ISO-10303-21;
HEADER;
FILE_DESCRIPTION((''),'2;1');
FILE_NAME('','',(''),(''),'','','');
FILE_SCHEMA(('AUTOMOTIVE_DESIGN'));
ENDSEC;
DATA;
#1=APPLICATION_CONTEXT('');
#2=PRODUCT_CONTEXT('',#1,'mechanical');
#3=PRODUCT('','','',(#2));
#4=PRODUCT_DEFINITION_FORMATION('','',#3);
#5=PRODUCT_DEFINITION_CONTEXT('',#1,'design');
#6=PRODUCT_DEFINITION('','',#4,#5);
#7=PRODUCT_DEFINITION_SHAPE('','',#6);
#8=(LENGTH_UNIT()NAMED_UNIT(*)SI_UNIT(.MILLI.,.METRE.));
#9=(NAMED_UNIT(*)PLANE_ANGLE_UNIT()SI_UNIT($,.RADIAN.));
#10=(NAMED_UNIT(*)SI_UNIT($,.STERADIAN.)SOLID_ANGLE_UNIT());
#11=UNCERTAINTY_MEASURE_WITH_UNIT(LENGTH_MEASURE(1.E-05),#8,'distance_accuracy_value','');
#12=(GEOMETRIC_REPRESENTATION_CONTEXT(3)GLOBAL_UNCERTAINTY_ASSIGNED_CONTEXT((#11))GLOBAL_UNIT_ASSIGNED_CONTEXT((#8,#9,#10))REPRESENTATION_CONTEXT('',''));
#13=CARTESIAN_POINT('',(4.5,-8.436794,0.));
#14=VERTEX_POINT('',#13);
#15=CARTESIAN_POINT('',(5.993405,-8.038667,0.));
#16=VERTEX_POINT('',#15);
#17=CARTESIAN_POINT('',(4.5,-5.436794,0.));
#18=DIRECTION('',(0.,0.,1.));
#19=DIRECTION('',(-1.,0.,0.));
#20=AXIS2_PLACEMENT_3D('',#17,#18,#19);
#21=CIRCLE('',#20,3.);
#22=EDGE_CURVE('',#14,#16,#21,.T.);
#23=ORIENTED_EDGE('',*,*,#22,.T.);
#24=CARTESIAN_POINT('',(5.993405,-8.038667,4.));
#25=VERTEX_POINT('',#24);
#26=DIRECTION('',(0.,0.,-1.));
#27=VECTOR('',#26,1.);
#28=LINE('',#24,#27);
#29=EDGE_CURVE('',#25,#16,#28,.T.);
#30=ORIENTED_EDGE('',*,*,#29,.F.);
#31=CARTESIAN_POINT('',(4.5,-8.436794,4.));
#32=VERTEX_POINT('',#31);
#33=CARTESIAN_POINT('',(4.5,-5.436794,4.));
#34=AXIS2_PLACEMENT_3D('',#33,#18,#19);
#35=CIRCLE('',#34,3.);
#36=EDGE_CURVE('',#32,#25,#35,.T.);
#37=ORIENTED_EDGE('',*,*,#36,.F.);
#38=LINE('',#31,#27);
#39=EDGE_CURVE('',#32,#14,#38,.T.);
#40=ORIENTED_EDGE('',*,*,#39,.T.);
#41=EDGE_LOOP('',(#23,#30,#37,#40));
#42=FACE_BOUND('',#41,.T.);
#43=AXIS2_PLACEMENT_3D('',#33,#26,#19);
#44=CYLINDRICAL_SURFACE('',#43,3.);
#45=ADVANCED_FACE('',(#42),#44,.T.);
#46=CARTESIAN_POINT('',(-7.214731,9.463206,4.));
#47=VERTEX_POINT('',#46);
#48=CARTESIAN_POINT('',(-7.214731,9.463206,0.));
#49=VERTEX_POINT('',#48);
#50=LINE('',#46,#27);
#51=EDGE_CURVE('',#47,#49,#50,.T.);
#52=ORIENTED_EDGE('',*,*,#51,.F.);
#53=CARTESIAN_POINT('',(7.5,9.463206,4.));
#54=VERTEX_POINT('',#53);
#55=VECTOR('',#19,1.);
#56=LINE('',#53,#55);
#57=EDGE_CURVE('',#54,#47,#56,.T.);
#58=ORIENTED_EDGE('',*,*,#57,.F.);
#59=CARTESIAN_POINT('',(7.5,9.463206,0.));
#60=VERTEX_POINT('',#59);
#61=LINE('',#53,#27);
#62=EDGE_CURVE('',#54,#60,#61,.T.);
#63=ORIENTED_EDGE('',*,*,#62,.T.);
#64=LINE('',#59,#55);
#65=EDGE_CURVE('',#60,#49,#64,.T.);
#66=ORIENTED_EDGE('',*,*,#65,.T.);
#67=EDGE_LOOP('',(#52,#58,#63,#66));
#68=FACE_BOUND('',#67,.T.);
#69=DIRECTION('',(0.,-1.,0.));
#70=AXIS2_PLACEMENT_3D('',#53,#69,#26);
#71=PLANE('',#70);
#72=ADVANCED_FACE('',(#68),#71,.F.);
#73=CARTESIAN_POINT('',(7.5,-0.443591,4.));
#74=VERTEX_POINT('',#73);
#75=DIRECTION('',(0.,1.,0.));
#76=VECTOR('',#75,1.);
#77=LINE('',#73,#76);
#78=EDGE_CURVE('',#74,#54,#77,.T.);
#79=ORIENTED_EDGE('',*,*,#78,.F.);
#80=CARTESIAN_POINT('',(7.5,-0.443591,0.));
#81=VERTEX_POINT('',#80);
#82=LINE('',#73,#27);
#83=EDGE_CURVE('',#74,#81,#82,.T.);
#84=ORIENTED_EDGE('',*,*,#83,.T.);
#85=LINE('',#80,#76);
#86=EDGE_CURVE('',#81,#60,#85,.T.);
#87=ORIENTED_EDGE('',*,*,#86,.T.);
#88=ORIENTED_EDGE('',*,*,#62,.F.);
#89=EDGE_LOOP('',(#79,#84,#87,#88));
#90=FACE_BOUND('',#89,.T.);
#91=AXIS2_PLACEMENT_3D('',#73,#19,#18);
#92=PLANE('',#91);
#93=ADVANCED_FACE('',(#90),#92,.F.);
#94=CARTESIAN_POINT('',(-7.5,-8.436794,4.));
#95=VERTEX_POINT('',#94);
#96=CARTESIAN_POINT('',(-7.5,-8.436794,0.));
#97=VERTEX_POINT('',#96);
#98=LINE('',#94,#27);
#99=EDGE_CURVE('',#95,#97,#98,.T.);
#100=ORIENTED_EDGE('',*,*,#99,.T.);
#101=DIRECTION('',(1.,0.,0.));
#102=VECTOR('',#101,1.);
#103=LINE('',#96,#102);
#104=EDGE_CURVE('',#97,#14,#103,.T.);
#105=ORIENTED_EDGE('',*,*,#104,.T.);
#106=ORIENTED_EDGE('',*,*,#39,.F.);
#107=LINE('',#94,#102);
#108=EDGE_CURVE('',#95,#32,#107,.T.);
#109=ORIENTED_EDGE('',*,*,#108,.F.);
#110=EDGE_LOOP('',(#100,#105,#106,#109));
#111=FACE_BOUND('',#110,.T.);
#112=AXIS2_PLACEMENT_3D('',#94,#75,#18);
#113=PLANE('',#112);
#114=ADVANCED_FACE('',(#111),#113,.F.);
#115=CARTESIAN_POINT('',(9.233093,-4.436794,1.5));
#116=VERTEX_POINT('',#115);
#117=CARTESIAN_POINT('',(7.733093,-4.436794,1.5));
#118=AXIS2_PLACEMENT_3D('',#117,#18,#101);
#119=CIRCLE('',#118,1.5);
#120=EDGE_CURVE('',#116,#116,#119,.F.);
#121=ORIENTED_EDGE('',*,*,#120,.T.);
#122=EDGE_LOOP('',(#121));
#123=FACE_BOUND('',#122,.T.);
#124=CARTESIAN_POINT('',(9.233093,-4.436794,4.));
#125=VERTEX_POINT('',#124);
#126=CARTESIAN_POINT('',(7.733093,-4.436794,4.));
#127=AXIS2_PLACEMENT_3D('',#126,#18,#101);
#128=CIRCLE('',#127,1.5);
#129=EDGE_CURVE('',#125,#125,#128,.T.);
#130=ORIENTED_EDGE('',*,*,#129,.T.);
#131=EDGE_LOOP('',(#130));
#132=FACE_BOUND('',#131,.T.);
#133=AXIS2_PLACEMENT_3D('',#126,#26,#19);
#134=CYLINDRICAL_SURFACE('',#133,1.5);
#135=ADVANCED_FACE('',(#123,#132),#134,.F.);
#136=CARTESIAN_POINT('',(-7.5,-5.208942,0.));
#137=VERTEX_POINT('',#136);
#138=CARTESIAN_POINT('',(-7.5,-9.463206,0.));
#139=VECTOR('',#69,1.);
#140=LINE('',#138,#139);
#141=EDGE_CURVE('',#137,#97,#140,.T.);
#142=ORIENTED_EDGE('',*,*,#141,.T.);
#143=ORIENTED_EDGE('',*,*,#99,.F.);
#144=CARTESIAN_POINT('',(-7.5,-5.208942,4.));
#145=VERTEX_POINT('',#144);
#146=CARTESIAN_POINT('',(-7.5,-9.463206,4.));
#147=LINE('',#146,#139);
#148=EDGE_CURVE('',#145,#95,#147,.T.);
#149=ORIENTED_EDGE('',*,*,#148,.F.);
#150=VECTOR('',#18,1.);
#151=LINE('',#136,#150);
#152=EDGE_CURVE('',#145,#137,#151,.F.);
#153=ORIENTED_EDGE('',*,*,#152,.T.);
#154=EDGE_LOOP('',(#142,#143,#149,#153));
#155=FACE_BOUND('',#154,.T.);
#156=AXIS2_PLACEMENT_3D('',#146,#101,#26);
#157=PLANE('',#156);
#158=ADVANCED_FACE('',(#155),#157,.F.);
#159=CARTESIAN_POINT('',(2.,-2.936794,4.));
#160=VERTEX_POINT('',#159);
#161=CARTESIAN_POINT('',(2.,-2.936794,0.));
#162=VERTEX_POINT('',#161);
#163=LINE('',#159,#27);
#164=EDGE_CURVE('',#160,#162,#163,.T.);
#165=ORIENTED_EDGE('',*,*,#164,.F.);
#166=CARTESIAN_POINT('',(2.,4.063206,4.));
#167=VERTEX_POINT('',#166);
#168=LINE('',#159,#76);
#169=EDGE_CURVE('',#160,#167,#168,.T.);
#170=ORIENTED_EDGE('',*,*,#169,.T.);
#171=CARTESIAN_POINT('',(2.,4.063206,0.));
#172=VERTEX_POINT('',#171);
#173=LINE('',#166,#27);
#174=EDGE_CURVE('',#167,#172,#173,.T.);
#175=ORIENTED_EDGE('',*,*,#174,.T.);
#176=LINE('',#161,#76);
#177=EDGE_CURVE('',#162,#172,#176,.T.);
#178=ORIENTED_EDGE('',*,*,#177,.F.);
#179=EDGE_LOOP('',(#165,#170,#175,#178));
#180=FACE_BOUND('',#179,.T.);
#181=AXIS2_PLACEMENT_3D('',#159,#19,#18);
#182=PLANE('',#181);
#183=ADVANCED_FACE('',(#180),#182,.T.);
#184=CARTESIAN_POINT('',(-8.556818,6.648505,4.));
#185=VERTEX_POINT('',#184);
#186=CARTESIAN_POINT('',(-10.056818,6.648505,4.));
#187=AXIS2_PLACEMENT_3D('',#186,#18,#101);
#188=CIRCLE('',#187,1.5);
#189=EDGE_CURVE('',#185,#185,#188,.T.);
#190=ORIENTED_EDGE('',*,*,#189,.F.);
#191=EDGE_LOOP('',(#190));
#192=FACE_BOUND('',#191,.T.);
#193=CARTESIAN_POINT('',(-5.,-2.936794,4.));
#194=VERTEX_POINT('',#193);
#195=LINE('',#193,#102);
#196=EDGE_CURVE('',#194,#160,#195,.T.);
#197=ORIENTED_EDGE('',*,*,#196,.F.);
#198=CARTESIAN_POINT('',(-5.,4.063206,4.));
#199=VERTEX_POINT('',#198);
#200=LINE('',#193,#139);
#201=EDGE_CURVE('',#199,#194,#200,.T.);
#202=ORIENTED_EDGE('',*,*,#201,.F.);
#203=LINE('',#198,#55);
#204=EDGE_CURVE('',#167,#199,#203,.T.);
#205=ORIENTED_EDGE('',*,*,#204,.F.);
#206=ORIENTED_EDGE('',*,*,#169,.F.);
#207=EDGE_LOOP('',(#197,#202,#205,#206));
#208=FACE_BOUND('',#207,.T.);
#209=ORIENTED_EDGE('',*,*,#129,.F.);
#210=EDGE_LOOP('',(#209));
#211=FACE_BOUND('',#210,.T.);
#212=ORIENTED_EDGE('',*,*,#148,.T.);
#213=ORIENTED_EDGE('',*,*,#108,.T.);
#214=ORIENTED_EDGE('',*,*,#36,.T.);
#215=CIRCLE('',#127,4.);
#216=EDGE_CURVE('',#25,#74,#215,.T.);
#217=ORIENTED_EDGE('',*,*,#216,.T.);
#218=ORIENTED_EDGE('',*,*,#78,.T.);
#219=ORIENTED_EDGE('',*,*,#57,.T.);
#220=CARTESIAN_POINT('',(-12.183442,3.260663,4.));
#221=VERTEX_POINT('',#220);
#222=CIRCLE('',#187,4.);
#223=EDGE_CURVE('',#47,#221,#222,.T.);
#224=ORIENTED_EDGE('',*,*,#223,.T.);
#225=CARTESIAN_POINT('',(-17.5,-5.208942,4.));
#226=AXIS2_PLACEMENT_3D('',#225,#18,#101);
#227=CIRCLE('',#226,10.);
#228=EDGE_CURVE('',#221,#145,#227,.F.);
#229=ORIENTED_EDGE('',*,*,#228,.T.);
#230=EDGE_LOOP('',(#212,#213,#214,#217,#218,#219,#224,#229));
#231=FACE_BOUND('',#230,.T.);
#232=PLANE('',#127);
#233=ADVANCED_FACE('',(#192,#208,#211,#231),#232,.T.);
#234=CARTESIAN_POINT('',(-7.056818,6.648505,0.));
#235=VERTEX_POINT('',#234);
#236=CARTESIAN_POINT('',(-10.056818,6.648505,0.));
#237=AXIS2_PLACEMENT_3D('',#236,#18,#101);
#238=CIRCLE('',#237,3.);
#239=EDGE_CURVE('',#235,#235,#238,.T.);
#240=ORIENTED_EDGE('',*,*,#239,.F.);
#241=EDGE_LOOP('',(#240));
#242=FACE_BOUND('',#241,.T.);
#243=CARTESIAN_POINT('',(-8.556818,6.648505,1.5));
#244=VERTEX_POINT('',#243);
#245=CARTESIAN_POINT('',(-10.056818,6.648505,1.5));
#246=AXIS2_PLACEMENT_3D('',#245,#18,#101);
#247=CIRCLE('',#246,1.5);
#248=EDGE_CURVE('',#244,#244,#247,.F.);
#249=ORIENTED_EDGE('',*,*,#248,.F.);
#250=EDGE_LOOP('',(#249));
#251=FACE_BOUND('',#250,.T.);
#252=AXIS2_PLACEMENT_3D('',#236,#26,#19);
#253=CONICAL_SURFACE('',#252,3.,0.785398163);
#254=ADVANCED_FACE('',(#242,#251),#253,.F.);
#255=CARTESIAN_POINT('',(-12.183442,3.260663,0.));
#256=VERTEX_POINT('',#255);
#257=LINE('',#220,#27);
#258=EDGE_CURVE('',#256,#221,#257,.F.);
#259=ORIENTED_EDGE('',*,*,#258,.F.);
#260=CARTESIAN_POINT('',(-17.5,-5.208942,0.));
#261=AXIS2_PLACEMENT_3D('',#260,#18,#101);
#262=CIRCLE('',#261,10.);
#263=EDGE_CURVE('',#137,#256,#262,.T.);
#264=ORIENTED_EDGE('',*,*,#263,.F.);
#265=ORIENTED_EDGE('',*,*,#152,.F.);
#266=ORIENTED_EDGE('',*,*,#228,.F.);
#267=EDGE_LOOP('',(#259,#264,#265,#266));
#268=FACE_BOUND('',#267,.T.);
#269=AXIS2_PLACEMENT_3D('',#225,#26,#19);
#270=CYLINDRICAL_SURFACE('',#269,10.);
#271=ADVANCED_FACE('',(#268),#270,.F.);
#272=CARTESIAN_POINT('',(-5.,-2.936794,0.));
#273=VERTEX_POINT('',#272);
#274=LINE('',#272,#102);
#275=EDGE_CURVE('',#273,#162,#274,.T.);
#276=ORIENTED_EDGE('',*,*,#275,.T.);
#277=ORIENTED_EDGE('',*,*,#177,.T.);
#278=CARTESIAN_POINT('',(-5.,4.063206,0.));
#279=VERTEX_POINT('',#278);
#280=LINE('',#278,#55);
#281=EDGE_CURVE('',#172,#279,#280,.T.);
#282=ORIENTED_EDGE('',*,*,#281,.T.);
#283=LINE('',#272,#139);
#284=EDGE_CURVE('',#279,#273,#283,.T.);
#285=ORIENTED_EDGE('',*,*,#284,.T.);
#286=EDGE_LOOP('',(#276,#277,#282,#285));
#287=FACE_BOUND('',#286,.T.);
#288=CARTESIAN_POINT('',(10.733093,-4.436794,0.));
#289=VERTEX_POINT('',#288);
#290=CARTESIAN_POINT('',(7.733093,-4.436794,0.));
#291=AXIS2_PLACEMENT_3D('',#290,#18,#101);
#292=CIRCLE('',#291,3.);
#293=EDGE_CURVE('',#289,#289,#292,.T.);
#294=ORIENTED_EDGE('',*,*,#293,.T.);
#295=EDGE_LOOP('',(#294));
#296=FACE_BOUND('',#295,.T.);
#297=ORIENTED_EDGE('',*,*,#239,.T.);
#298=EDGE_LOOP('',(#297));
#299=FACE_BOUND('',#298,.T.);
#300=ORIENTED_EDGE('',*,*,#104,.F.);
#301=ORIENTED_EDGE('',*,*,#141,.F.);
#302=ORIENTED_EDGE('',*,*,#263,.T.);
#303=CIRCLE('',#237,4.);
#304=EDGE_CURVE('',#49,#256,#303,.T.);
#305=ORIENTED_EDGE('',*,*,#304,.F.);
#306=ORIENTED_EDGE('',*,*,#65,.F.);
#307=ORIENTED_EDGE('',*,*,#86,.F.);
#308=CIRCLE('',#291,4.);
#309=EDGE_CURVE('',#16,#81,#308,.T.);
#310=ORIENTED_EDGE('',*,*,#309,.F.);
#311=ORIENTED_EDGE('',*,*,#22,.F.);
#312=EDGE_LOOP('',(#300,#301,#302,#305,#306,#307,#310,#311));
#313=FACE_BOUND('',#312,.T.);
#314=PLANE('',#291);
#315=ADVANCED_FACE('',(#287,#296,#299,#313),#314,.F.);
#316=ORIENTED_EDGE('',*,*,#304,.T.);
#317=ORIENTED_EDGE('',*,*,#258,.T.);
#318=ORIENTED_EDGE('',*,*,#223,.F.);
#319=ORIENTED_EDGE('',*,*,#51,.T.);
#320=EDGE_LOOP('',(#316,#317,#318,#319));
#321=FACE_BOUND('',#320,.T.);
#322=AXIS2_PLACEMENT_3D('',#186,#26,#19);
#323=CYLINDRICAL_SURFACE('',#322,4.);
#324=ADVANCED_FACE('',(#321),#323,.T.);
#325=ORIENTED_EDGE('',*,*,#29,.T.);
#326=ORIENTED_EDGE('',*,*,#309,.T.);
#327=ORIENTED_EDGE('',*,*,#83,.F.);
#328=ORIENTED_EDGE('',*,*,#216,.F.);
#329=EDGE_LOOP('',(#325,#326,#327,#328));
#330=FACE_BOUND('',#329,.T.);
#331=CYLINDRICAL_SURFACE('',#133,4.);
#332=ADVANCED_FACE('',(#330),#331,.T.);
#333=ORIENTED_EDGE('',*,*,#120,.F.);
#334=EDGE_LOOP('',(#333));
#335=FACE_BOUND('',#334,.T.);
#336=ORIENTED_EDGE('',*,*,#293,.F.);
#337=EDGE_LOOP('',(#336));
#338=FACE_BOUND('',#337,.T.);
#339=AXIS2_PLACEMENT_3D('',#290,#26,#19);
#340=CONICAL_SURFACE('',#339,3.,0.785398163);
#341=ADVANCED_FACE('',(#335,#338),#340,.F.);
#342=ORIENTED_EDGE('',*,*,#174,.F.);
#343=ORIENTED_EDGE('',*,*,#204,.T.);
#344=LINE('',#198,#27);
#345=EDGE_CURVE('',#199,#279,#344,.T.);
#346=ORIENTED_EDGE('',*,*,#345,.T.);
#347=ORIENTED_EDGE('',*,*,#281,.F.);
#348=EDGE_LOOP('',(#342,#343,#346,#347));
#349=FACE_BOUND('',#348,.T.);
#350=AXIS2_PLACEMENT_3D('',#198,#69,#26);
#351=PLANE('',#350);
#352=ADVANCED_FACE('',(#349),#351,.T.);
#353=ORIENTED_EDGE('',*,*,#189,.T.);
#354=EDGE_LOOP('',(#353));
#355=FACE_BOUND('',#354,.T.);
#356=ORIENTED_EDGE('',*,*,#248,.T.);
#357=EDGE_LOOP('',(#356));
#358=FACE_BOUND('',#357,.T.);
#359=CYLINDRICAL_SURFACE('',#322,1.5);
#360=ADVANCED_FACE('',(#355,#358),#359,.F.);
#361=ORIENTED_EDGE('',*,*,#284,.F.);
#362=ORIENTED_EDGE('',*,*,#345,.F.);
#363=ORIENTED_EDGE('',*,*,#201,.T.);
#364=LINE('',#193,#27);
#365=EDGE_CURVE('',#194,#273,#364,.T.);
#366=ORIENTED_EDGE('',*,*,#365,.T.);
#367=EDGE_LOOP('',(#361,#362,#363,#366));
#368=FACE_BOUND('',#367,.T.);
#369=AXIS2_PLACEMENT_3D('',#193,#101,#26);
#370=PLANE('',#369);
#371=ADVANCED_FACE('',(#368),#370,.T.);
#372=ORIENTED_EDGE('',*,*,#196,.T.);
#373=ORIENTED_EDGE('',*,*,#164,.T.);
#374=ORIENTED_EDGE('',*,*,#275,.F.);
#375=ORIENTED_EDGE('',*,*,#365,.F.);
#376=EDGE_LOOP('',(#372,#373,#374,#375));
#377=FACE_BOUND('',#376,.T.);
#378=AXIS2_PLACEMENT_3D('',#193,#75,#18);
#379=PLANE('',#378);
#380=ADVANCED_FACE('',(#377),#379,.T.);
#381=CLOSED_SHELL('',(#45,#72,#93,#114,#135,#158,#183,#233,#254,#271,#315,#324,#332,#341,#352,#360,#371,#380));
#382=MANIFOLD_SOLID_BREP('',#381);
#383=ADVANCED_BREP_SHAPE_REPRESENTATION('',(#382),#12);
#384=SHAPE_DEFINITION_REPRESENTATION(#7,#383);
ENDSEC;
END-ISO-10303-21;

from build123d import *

# Parameters (mm, degrees)
SKETCH_1_R          = 1.5
SKETCH_1_W          = 7
SKETCH_1_H          = 7
EXTRUDE_1_DEPTH     = 4
CUT_EXTRUDE_1_DEPTH = 5
FILLET_1_R          = 10
CHAMFER_1_SIZE      = 1.5


with BuildPart() as part:
    # Эскиз1 → Бобышка-Вытянуть1 (new body)
    with BuildSketch(Plane.XY):
        with BuildLine():
            Line((7.5, -9.463206067), (-7.5, -9.463206067))
            Line((-7.5, -9.463206067), (-7.5, 3.572357891))
            ThreePointArc((-7.5, 3.572357891), (-14.05213631, 6.841981187), (-7.21473133, 9.463206067))
            Line((-7.21473133, 9.463206067), (7.5, 9.463206067))
            Line((7.5, 9.463206067), (7.5, -0.443591232))
            ThreePointArc((7.5, -0.443591232), (11.733092656, -4.436793933), (7.5, -8.429996634))
            Line((7.5, -8.429996634), (7.5, -9.463206067))
        make_face()
        with Locations((7.733092656, -4.436793933)):
            Circle(SKETCH_1_R, mode=Mode.SUBTRACT)
        with Locations((-10.056818182, 6.648504959)):
            Circle(SKETCH_1_R, mode=Mode.SUBTRACT)
        with Locations((-1.5, 0.563206067)):
            Rectangle(SKETCH_1_W, SKETCH_1_H, mode=Mode.SUBTRACT)
    extrude(amount=EXTRUDE_1_DEPTH)

    # Эскиз2 → Вырез-Вытянуть1 (cut, through all)
    with BuildSketch(Plane(origin=(0, 0, 0), x_dir=(-1, 0, 0), z_dir=(0, 0, -1))):
        with BuildLine():
            Line((7.5, -9.463206067), (-7.5, -9.463206067))
            Line((-7.5, -9.463206067), (-7.5, -8.429996634))
            ThreePointArc((-7.5, -8.429996634), (-6.727483224, -8.308324595), (-5.993405004, -8.038666623))
            ThreePointArc((-5.993405004, -8.038666623), (-5.272781318, -8.335553846), (-4.5, -8.436793933))
            Line((-4.5, -8.436793933), (7.5, -8.436793933))
            Line((7.5, -8.436793933), (7.5, -9.463206067))
        make_face()
    extrude(amount=-CUT_EXTRUDE_1_DEPTH, mode=Mode.SUBTRACT)

    # Скругление1
    fillet_1_edges = [part.edges().sort_by_distance(p)[0] for p in [
        (-7.5, 3.572357891, 2),
    ]]
    fillet(fillet_1_edges, radius=FILLET_1_R)

    # Фаска1
    chamfer_1_edges = [part.edges().sort_by_distance(p)[0] for p in [
        (6.233092656, -4.436793933, 0),
        (-11.556818182, 6.648504959, 0),
    ]]
    chamfer(chamfer_1_edges, length=CHAMFER_1_SIZE)


solid = part.part
